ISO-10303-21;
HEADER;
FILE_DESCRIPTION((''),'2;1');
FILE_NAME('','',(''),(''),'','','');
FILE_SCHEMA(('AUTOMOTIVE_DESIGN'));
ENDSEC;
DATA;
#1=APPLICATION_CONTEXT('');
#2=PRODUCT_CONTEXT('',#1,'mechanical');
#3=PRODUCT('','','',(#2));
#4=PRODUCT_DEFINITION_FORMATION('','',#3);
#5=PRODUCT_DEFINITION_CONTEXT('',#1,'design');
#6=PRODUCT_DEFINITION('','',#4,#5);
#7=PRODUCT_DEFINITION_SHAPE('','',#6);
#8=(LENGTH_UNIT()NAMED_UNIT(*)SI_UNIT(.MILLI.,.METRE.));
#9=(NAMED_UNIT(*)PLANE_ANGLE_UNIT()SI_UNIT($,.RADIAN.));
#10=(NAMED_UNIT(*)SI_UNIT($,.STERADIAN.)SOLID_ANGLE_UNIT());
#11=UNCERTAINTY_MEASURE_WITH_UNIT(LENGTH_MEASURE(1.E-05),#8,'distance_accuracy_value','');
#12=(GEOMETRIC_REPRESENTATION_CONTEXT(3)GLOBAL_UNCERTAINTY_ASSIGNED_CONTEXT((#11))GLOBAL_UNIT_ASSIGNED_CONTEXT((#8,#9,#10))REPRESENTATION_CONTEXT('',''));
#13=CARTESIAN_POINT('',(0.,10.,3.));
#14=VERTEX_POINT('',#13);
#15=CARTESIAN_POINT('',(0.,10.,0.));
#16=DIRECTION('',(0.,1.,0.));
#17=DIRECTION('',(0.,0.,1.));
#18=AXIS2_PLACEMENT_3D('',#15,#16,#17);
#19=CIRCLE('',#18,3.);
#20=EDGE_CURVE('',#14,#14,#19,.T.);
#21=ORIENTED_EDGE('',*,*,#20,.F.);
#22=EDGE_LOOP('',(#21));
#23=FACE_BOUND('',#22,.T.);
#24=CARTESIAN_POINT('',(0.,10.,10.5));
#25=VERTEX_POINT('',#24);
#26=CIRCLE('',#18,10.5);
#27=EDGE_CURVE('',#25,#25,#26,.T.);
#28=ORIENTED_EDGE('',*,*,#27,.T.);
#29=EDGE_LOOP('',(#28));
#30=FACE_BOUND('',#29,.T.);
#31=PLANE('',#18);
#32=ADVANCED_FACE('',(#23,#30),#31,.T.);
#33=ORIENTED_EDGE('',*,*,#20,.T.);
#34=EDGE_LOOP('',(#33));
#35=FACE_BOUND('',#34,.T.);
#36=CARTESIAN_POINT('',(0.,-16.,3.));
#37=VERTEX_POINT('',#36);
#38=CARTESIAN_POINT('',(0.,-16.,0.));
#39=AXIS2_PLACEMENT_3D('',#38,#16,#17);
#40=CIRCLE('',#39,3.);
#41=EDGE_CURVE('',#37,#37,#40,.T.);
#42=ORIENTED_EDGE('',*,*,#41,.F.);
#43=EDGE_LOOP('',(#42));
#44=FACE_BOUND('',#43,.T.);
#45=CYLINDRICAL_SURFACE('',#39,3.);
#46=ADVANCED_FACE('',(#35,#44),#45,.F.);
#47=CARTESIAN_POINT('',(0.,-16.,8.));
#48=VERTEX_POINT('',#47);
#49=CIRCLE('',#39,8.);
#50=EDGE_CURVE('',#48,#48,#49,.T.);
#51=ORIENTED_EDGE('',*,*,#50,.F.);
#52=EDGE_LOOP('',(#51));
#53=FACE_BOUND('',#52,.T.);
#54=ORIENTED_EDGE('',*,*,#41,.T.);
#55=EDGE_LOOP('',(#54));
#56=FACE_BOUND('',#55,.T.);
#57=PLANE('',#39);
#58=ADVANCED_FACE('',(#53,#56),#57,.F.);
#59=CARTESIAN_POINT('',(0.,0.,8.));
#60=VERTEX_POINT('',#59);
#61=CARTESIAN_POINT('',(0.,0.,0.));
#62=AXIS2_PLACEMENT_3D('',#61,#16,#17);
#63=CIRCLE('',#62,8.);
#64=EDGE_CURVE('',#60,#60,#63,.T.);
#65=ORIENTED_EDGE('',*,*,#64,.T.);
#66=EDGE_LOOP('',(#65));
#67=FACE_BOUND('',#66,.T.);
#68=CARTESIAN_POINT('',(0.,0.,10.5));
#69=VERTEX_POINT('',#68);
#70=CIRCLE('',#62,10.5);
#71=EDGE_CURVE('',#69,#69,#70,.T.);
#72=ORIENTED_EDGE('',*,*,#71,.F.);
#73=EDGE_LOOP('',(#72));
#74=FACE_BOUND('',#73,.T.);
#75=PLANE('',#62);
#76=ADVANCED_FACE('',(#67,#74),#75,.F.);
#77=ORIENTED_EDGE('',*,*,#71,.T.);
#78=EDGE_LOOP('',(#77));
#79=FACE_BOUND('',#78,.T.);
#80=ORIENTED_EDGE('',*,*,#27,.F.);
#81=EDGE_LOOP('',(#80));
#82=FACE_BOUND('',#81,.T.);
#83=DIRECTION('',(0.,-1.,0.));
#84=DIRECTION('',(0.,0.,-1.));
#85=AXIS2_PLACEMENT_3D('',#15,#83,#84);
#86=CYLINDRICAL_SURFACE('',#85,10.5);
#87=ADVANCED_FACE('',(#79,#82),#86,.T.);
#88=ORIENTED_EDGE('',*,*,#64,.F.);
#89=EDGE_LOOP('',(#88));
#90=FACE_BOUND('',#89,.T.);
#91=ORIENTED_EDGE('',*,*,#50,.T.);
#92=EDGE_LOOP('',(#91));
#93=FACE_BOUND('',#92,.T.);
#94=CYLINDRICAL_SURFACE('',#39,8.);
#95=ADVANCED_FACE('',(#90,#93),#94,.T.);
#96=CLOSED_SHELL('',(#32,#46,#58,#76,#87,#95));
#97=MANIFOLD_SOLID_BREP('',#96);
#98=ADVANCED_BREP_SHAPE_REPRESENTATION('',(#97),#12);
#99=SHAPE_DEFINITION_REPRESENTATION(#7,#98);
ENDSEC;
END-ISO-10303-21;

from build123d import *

# Parameters (mm, degrees)
SKETCH1_R               = 10.5
BOSS_EXTRUDE1_DEPTH     = 10
SKETCH2_R               = 8
BOSS_EXTRUDE2_DEPTH     = 16
CUT_EXTRUDE1_DEPTH      = 22.828879953
CUT_EXTRUDE1_DEPTH_BACK = 22.828879953
SKETCH3_R               = 3


with BuildPart() as part:
    # Sketch1 → Boss-Extrude1 (new body)
    with BuildSketch(Plane(origin=(0, 0, 0), x_dir=(1, 0, 0), z_dir=(0, 1, 0))):
        with Locations(Location((0, 0, 0), (0, 0, 270))):
            Circle(SKETCH1_R)
    extrude(amount=BOSS_EXTRUDE1_DEPTH)

    # Sketch2 → Boss-Extrude2 (add)
    with BuildSketch(Plane(origin=(0, 0, 0), x_dir=(1, 0, 0), z_dir=(0, 1, 0))):
        with Locations(Location((0, 0, 0), (0, 0, 270))):
            Circle(SKETCH2_R)
    extrude(amount=-BOSS_EXTRUDE2_DEPTH)

    # Sketch3 → Cut-Extrude1 (cut, two sides: drawn at the far end of the back side and taken through both)
    with BuildSketch(Plane(origin=(0, 0, 0), x_dir=(1, 0, 0), z_dir=(0, 1, 0)).offset(-CUT_EXTRUDE1_DEPTH_BACK)):
        with Locations(Location((0, 0, 0), (0, 0, 270))):
            Circle(SKETCH3_R)
    extrude(amount=CUT_EXTRUDE1_DEPTH + CUT_EXTRUDE1_DEPTH_BACK, mode=Mode.SUBTRACT)


solid = part.part
